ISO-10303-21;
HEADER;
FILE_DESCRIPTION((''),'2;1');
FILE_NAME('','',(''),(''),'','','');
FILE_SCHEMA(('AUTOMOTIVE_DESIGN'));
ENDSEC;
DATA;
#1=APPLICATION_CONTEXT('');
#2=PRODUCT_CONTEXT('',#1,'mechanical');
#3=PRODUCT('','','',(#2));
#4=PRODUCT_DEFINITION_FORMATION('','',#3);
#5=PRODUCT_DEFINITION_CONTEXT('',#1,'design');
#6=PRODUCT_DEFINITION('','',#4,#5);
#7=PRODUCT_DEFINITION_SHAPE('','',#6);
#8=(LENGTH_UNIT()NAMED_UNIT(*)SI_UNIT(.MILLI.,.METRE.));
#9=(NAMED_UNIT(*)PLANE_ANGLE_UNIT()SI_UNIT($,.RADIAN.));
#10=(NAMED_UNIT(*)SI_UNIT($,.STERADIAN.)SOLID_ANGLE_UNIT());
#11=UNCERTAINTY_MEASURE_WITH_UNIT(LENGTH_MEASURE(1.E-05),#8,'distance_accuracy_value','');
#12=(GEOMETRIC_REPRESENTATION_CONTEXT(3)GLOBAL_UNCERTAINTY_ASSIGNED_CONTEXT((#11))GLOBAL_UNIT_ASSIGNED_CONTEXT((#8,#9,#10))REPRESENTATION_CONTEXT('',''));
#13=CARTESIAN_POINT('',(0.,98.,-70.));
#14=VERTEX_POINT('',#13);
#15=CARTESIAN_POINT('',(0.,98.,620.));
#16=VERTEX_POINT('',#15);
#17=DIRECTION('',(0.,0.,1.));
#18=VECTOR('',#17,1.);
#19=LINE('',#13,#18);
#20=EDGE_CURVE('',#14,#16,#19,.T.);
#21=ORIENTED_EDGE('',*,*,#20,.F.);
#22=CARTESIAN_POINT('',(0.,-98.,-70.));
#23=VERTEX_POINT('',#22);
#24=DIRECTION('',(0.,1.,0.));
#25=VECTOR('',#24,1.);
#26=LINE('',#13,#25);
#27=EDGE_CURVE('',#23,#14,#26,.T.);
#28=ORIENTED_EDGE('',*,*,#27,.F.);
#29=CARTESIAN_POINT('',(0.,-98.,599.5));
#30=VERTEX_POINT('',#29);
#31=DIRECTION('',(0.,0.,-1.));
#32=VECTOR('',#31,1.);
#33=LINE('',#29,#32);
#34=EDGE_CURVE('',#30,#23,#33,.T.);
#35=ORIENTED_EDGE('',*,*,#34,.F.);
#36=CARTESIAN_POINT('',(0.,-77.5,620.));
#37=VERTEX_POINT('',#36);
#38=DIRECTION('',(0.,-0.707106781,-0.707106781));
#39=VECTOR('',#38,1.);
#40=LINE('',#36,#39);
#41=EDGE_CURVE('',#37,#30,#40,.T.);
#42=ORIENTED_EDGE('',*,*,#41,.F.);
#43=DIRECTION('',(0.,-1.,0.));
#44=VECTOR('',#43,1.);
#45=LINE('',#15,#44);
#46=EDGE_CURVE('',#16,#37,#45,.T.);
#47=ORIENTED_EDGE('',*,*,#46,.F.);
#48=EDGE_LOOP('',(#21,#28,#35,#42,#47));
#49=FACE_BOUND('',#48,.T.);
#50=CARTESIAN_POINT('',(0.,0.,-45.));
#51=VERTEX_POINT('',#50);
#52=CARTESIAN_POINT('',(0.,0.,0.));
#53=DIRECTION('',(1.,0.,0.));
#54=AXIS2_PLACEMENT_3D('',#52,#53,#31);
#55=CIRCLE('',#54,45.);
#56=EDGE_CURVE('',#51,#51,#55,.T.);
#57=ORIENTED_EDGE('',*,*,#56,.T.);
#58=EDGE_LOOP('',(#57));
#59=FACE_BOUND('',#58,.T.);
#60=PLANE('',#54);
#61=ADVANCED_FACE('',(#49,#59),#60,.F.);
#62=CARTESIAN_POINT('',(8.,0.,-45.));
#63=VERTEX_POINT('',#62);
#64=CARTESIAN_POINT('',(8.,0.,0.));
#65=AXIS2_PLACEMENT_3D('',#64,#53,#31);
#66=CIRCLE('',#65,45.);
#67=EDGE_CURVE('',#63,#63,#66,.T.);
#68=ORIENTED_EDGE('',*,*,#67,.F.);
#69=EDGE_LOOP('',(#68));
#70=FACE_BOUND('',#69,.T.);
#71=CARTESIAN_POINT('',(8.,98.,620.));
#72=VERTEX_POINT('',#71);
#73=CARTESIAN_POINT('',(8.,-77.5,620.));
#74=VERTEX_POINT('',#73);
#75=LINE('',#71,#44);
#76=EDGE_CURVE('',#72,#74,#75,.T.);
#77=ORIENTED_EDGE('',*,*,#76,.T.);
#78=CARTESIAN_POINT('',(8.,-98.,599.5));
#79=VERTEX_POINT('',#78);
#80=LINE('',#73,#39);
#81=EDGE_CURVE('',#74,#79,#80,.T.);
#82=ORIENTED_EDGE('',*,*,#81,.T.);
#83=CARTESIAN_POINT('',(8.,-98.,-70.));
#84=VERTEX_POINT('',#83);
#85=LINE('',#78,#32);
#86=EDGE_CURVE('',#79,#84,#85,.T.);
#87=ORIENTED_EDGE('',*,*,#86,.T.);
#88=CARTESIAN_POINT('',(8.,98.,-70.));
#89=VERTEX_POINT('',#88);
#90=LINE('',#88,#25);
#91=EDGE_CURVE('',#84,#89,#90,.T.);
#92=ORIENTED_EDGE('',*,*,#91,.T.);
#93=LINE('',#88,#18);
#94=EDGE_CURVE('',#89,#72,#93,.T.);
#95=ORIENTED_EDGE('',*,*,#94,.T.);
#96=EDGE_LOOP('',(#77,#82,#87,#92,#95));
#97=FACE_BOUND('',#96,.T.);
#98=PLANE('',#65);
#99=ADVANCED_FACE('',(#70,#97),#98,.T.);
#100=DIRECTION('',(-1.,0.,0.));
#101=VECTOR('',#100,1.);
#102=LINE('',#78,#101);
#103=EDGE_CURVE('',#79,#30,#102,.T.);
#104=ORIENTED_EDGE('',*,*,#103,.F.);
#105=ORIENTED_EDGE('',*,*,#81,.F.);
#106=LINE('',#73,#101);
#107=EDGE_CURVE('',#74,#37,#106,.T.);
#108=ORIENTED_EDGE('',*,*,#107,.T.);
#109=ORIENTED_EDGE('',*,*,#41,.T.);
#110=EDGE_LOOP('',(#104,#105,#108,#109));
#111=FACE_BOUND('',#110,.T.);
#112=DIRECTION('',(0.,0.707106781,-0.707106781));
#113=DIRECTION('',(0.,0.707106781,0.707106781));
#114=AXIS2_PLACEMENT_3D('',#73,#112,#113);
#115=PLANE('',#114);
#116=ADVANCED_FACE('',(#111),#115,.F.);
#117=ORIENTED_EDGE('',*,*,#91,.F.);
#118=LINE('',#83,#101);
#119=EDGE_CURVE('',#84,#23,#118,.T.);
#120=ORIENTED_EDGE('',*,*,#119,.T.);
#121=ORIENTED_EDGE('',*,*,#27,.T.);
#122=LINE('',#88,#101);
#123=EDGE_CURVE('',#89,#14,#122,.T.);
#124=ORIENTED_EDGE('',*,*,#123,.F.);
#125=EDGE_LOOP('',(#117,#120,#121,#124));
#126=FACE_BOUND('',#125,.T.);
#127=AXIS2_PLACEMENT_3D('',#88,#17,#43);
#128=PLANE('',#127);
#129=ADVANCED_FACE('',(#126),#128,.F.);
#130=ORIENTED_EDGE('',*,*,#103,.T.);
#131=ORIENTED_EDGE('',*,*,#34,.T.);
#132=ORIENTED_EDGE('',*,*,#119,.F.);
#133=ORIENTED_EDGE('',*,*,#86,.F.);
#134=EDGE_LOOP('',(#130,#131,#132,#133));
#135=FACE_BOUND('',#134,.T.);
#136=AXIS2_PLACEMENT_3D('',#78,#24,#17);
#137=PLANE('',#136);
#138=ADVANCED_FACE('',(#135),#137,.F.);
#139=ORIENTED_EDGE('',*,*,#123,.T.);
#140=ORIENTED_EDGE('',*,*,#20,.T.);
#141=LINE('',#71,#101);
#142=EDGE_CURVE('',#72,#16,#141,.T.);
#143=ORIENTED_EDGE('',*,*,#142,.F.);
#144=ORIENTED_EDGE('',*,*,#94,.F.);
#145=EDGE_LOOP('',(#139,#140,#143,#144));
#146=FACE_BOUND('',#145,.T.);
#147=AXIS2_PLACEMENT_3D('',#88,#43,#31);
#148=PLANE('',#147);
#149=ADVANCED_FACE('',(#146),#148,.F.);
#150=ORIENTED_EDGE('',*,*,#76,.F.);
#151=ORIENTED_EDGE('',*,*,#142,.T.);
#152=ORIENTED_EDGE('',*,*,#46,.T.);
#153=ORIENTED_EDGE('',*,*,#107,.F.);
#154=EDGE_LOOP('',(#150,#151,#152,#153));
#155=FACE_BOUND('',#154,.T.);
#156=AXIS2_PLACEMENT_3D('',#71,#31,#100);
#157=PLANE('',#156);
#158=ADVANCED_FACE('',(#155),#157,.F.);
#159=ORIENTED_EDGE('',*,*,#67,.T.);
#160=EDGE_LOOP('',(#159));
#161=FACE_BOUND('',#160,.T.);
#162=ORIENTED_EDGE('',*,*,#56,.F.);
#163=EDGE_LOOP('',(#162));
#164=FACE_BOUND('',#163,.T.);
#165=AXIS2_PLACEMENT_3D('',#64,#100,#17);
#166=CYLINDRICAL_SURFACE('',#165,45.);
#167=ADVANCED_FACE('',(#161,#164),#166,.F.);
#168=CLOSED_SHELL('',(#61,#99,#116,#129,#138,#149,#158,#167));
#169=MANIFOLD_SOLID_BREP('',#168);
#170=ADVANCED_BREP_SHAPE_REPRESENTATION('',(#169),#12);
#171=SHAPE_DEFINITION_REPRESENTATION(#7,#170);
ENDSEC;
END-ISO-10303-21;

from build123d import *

# Parameters (mm, degrees)
SKETCH_1_R      = 45
EXTRUDE_1_DEPTH = 8


with BuildPart() as part:
    # 草图1 → 凸台-拉伸1 (new body)
    with BuildSketch(Plane(origin=(0, 0, 0), x_dir=(0, 0, -1), z_dir=(1, 0, 0))):
        Polygon((70, 98), (-620, 98), (-620, -77.5), (-599.5, -98), (70, -98), align=None)
        Circle(SKETCH_1_R, mode=Mode.SUBTRACT)
    extrude(amount=EXTRUDE_1_DEPTH)


solid = part.part
